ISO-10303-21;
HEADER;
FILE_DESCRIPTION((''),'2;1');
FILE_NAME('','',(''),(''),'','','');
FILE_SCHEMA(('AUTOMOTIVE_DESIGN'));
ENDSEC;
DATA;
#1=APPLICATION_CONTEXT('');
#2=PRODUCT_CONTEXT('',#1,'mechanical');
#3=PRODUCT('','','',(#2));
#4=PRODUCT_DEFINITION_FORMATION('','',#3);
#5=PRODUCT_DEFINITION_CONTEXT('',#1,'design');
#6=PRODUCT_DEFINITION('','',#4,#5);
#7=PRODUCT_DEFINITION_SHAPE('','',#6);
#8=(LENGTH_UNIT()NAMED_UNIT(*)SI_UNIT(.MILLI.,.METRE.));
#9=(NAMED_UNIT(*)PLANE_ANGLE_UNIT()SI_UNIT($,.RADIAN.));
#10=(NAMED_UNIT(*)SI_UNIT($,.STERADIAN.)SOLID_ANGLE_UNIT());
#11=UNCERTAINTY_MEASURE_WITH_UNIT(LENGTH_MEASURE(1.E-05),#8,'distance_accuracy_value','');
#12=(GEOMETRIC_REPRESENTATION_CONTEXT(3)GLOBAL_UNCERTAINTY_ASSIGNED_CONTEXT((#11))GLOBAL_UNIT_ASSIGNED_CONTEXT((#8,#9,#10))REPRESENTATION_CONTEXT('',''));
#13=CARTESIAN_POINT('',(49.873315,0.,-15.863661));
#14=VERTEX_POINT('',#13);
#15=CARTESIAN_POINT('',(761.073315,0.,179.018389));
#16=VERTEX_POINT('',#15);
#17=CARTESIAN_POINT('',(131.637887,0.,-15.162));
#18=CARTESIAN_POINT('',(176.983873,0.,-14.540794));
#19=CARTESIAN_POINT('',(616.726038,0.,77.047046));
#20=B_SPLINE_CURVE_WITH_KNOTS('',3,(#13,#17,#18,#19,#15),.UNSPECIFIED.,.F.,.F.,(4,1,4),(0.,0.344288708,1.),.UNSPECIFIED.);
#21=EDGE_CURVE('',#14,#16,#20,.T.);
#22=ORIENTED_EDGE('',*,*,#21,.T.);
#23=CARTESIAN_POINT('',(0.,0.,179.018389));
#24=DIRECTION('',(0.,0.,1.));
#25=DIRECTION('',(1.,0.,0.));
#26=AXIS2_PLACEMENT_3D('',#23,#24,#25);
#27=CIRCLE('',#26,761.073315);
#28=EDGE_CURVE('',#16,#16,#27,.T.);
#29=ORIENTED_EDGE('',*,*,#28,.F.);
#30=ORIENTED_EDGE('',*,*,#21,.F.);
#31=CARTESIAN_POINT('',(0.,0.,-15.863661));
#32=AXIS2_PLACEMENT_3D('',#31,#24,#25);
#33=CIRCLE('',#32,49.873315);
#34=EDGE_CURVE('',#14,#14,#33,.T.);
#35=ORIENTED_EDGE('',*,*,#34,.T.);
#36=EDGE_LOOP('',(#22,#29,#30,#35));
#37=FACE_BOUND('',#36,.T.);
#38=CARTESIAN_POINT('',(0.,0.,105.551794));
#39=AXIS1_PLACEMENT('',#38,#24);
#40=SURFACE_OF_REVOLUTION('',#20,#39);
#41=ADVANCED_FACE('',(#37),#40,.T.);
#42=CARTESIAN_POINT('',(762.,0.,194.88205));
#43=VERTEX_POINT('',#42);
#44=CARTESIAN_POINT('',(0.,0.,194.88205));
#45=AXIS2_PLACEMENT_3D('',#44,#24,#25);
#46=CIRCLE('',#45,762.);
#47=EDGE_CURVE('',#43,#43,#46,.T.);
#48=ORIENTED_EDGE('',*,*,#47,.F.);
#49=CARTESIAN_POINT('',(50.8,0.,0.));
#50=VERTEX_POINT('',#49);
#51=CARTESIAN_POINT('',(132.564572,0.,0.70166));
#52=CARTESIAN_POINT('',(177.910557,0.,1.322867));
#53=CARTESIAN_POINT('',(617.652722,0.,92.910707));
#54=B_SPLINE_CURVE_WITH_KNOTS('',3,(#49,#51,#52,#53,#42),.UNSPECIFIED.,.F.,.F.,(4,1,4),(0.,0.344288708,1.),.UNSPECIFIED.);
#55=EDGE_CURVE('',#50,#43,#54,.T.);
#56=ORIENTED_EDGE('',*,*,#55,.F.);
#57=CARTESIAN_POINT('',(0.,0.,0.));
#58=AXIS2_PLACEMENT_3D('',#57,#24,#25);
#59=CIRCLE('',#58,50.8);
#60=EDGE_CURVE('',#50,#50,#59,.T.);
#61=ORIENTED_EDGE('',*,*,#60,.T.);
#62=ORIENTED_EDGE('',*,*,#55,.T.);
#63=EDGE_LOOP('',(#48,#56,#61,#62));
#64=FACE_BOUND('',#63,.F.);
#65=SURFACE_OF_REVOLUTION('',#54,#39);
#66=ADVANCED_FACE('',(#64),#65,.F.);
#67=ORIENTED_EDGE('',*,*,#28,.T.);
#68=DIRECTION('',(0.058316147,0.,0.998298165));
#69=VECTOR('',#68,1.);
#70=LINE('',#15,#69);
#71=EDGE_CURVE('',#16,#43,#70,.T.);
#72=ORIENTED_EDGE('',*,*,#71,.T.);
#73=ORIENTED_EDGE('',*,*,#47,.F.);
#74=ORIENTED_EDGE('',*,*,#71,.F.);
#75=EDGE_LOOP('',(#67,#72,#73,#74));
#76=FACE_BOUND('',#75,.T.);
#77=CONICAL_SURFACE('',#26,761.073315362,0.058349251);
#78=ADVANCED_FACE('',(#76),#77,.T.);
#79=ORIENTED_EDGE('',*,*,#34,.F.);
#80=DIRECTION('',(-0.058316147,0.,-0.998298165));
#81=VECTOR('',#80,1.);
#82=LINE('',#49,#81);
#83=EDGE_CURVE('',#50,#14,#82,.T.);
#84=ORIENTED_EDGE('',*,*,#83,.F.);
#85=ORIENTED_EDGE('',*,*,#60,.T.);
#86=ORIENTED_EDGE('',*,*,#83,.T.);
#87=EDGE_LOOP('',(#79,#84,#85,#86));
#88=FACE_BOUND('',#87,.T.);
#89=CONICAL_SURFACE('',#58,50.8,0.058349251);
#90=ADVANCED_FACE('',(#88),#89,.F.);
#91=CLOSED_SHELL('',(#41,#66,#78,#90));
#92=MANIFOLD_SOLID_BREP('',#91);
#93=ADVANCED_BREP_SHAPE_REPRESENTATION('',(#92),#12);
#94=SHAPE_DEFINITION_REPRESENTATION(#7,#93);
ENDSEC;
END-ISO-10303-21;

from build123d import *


with BuildPart() as f2:
    # F0 (on Front) → F2 (revolve)
    with BuildSketch(Plane.XZ):
        with BuildLine():
            add(Edge.make_bspline(
                [(50.8, 0), (132.5645715683, 0.7016602982), (177.9105574839, 1.3228668223), (617.6527222398, 92.9107069706), (762, 194.8820501566)],
                knots=[0, 0, 0, 0, 0.3442887085, 1, 1, 1, 1], degree=3))
            Line((50.8, 0), (49.8733153623, -15.8636606633))
            add(Edge.make_bspline(
                [(49.8733153623, -15.8636606633), (131.6378869306, -15.1620003651), (176.9838728463, -14.540793841), (616.7260376022, 77.0470463073), (761.0733153623, 179.0183894933)],
                knots=[0, 0, 0, 0, 0.3442887085, 1, 1, 1, 1], degree=3))
            Line((761.0733153623, 179.0183894933), (762, 194.8820501566))
        make_face()
    revolve(axis=Axis((0, 0, 105.5517941713), (0, 0, 1)))


solid = f2.part
